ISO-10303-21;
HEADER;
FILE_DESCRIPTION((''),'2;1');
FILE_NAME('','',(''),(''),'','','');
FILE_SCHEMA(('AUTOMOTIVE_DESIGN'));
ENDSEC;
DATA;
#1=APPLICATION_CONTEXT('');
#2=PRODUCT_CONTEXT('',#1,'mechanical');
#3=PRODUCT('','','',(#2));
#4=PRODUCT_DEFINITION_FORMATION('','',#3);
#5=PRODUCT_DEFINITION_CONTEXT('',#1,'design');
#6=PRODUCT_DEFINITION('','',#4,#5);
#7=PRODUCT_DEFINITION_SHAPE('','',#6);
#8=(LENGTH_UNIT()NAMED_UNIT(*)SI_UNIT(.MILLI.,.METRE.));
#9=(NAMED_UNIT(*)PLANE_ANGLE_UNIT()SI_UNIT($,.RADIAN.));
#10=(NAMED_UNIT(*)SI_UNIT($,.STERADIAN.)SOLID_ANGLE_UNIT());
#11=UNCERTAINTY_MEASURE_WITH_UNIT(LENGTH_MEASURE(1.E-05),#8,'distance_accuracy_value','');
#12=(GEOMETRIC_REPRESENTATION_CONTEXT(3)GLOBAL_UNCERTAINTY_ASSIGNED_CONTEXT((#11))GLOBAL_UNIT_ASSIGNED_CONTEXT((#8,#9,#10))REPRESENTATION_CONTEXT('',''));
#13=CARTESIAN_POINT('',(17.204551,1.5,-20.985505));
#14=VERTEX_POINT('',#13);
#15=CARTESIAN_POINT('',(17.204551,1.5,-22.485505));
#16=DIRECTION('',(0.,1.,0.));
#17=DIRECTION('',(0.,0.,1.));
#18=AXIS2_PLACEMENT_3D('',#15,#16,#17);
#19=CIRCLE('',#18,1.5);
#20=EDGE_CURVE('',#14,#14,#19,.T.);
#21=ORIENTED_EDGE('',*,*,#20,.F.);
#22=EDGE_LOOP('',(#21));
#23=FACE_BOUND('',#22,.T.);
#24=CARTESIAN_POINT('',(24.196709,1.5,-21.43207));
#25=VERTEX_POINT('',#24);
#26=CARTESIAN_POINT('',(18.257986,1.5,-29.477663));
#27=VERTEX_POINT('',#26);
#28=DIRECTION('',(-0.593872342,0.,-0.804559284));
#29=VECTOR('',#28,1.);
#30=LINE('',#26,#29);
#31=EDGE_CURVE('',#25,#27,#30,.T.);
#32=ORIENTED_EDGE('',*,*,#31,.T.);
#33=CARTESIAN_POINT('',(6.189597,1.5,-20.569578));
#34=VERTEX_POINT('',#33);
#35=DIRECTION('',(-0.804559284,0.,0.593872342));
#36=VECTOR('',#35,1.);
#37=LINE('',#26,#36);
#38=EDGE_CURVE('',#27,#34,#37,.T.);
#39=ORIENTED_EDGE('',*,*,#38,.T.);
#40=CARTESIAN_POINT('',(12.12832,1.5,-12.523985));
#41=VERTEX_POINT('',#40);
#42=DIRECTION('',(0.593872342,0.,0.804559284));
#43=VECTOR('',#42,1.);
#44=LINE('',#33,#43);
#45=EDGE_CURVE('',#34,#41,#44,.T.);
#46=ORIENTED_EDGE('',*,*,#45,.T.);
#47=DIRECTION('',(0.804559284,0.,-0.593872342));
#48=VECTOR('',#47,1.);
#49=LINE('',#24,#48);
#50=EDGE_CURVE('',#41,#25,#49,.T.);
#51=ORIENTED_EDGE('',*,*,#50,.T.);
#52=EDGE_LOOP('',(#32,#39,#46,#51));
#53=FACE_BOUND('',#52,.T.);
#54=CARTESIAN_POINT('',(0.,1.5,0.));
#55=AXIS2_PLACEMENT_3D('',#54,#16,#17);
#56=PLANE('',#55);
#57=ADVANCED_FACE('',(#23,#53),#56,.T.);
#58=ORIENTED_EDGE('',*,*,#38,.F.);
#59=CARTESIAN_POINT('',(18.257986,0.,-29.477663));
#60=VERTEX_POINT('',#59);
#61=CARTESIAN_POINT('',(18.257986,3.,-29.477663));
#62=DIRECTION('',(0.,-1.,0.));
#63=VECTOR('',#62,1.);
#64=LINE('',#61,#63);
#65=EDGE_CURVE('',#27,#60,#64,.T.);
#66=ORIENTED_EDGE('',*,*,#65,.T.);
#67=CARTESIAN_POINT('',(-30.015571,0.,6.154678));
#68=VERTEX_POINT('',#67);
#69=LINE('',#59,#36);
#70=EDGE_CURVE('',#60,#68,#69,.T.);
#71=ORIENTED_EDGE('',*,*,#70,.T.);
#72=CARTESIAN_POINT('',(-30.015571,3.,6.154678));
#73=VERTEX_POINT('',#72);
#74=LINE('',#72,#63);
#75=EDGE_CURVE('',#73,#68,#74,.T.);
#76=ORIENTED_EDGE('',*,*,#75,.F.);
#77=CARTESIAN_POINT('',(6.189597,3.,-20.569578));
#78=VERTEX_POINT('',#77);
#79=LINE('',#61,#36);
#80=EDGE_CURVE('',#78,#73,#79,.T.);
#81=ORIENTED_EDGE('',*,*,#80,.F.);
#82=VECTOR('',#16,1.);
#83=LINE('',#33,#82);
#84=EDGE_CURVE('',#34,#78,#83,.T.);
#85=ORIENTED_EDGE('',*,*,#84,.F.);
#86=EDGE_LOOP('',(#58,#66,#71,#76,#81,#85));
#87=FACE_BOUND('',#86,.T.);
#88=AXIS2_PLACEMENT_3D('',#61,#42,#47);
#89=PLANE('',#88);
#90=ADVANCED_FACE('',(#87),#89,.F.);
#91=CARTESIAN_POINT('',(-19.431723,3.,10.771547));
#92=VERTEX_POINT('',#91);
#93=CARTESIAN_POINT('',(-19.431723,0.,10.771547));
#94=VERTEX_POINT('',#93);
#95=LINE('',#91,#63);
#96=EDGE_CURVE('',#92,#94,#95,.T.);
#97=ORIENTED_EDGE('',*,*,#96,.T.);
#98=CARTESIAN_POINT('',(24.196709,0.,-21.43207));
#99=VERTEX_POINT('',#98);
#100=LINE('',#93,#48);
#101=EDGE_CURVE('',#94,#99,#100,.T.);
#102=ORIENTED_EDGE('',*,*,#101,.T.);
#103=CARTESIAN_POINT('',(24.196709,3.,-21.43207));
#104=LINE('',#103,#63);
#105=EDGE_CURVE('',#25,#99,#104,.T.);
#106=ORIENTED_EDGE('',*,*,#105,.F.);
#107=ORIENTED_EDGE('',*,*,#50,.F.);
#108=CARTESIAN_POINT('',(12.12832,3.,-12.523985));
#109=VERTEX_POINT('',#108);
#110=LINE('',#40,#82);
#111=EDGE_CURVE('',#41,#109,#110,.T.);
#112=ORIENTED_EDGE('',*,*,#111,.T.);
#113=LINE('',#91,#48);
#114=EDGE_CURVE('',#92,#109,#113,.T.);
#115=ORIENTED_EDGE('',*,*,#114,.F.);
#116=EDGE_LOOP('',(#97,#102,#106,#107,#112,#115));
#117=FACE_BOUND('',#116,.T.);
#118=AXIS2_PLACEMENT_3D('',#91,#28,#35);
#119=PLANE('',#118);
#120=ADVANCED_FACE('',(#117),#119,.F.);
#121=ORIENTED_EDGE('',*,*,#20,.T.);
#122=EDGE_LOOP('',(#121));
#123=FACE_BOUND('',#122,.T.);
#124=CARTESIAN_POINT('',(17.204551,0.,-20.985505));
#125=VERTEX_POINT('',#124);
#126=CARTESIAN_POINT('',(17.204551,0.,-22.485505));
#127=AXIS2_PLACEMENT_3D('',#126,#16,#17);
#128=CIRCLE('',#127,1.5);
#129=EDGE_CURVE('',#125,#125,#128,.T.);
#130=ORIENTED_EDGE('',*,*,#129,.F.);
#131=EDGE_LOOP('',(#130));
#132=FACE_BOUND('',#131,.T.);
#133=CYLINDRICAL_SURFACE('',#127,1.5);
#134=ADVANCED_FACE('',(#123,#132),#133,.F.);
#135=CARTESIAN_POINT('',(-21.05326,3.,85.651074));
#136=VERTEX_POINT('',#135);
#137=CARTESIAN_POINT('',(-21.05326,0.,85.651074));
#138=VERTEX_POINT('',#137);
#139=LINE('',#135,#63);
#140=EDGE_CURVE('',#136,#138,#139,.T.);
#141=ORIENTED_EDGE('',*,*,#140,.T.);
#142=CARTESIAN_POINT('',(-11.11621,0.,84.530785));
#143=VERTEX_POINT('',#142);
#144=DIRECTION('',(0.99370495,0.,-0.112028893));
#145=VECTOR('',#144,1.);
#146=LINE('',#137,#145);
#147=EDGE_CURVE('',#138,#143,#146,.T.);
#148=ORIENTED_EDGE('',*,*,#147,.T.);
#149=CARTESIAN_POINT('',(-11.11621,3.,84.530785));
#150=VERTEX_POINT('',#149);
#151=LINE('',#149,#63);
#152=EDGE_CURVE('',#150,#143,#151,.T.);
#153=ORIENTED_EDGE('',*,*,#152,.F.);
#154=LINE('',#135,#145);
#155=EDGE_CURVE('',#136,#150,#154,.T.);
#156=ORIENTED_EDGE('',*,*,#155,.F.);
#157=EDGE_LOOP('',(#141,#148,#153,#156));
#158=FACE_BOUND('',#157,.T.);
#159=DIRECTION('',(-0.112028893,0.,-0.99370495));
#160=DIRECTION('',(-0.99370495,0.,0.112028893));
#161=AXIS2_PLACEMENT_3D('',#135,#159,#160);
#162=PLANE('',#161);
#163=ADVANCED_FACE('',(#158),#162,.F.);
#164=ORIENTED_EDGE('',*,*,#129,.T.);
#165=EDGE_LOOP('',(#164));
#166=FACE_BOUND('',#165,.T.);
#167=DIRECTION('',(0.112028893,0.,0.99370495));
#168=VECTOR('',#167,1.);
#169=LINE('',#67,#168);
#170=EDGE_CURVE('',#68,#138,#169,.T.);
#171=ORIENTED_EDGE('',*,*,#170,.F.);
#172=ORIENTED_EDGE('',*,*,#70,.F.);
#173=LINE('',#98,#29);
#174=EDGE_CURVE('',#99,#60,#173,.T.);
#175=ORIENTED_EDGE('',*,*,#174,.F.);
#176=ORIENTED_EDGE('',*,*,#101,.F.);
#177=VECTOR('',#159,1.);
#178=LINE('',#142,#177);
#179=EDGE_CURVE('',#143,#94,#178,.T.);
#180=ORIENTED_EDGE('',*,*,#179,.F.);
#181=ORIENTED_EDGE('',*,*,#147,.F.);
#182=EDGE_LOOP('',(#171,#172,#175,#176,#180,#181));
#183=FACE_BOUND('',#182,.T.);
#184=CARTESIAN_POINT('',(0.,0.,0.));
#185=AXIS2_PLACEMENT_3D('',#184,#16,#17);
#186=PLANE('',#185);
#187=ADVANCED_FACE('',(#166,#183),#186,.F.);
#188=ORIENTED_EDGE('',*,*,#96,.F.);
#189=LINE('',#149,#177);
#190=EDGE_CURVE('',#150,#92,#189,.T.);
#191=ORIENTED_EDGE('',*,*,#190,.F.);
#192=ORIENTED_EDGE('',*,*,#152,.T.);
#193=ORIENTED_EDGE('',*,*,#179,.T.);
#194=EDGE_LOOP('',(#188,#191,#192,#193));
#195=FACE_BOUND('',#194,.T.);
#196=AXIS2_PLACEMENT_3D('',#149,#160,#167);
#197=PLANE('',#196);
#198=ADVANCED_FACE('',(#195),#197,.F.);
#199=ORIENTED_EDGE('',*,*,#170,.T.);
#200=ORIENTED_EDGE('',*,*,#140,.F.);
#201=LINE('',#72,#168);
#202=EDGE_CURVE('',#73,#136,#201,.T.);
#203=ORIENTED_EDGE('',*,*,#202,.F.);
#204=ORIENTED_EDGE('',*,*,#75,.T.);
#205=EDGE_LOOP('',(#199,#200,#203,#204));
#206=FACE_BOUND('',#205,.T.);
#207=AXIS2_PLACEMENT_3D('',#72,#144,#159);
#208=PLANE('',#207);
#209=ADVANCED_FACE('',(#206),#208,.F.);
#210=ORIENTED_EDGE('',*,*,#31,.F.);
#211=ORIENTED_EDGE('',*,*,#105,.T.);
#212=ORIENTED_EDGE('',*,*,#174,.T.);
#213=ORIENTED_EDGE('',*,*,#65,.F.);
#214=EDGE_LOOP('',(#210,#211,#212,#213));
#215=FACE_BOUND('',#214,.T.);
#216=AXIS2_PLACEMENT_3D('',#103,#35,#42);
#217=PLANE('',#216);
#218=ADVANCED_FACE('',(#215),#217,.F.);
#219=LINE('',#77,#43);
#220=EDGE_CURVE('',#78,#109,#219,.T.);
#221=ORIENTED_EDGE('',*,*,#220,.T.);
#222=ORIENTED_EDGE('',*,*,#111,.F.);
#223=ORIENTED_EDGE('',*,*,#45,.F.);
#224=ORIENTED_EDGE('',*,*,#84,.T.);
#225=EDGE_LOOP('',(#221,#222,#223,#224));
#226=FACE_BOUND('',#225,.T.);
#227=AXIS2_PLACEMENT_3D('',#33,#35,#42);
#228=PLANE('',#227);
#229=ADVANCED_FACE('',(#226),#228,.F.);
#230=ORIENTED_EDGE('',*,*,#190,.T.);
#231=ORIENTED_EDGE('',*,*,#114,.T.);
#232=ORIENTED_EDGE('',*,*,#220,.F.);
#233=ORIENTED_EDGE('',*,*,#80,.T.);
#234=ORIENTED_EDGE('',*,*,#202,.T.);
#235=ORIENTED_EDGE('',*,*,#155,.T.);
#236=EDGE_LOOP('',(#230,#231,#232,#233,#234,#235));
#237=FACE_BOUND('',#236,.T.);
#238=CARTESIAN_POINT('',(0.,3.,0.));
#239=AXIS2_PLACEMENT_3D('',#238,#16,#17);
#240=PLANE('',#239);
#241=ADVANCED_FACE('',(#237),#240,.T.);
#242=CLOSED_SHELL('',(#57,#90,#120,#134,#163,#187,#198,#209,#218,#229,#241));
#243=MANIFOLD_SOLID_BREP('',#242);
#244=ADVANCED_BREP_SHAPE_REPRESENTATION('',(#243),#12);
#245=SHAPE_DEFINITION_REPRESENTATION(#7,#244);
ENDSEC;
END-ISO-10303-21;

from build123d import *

# Parameters (mm, degrees)
BOSS_EXTRUDE1_DEPTH = 3
CUT_EXTRUDE1_DEPTH  = 1.5
SKETCH3_R           = 1.5
CUT_EXTRUDE2_DEPTH  = 1.5


with BuildPart() as part:
    # Sketch1 → Boss-Extrude1 (new body)
    with BuildSketch(Plane(origin=(0, 0, 0), x_dir=(1, 0, 0), z_dir=(0, 1, 0))):
        Polygon((18.257985868, 29.477662881), (-30.015571152, -6.154677663), (-21.053259688, -85.65107364), (-11.116210191, -84.530784707), (-19.431722538, -10.771546932), (24.196709292, 21.432070044), align=None)
    extrude(amount=BOSS_EXTRUDE1_DEPTH)

    # Sketch2 → Cut-Extrude1 (cut)
    with BuildSketch(Plane(origin=(0, 3, 0), x_dir=(1, 0, 0), z_dir=(0, 1, 0))):
        Polygon((18.257985868, 29.477662881), (24.196709292, 21.432070044), (12.128320037, 12.523984908), (6.189596613, 20.569577745), align=None)
    extrude(amount=-CUT_EXTRUDE1_DEPTH, mode=Mode.SUBTRACT)

    # Sketch3 → Cut-Extrude2 (cut)
    with BuildSketch(Plane(origin=(0, 1.5, 0), x_dir=(1, 0, 0), z_dir=(0, 1, 0))):
        with Locations(Location((17.204551161, 22.485504751, 0), (0, 0, 270))):
            Circle(SKETCH3_R)
    extrude(amount=-CUT_EXTRUDE2_DEPTH, mode=Mode.SUBTRACT)


solid = part.part
